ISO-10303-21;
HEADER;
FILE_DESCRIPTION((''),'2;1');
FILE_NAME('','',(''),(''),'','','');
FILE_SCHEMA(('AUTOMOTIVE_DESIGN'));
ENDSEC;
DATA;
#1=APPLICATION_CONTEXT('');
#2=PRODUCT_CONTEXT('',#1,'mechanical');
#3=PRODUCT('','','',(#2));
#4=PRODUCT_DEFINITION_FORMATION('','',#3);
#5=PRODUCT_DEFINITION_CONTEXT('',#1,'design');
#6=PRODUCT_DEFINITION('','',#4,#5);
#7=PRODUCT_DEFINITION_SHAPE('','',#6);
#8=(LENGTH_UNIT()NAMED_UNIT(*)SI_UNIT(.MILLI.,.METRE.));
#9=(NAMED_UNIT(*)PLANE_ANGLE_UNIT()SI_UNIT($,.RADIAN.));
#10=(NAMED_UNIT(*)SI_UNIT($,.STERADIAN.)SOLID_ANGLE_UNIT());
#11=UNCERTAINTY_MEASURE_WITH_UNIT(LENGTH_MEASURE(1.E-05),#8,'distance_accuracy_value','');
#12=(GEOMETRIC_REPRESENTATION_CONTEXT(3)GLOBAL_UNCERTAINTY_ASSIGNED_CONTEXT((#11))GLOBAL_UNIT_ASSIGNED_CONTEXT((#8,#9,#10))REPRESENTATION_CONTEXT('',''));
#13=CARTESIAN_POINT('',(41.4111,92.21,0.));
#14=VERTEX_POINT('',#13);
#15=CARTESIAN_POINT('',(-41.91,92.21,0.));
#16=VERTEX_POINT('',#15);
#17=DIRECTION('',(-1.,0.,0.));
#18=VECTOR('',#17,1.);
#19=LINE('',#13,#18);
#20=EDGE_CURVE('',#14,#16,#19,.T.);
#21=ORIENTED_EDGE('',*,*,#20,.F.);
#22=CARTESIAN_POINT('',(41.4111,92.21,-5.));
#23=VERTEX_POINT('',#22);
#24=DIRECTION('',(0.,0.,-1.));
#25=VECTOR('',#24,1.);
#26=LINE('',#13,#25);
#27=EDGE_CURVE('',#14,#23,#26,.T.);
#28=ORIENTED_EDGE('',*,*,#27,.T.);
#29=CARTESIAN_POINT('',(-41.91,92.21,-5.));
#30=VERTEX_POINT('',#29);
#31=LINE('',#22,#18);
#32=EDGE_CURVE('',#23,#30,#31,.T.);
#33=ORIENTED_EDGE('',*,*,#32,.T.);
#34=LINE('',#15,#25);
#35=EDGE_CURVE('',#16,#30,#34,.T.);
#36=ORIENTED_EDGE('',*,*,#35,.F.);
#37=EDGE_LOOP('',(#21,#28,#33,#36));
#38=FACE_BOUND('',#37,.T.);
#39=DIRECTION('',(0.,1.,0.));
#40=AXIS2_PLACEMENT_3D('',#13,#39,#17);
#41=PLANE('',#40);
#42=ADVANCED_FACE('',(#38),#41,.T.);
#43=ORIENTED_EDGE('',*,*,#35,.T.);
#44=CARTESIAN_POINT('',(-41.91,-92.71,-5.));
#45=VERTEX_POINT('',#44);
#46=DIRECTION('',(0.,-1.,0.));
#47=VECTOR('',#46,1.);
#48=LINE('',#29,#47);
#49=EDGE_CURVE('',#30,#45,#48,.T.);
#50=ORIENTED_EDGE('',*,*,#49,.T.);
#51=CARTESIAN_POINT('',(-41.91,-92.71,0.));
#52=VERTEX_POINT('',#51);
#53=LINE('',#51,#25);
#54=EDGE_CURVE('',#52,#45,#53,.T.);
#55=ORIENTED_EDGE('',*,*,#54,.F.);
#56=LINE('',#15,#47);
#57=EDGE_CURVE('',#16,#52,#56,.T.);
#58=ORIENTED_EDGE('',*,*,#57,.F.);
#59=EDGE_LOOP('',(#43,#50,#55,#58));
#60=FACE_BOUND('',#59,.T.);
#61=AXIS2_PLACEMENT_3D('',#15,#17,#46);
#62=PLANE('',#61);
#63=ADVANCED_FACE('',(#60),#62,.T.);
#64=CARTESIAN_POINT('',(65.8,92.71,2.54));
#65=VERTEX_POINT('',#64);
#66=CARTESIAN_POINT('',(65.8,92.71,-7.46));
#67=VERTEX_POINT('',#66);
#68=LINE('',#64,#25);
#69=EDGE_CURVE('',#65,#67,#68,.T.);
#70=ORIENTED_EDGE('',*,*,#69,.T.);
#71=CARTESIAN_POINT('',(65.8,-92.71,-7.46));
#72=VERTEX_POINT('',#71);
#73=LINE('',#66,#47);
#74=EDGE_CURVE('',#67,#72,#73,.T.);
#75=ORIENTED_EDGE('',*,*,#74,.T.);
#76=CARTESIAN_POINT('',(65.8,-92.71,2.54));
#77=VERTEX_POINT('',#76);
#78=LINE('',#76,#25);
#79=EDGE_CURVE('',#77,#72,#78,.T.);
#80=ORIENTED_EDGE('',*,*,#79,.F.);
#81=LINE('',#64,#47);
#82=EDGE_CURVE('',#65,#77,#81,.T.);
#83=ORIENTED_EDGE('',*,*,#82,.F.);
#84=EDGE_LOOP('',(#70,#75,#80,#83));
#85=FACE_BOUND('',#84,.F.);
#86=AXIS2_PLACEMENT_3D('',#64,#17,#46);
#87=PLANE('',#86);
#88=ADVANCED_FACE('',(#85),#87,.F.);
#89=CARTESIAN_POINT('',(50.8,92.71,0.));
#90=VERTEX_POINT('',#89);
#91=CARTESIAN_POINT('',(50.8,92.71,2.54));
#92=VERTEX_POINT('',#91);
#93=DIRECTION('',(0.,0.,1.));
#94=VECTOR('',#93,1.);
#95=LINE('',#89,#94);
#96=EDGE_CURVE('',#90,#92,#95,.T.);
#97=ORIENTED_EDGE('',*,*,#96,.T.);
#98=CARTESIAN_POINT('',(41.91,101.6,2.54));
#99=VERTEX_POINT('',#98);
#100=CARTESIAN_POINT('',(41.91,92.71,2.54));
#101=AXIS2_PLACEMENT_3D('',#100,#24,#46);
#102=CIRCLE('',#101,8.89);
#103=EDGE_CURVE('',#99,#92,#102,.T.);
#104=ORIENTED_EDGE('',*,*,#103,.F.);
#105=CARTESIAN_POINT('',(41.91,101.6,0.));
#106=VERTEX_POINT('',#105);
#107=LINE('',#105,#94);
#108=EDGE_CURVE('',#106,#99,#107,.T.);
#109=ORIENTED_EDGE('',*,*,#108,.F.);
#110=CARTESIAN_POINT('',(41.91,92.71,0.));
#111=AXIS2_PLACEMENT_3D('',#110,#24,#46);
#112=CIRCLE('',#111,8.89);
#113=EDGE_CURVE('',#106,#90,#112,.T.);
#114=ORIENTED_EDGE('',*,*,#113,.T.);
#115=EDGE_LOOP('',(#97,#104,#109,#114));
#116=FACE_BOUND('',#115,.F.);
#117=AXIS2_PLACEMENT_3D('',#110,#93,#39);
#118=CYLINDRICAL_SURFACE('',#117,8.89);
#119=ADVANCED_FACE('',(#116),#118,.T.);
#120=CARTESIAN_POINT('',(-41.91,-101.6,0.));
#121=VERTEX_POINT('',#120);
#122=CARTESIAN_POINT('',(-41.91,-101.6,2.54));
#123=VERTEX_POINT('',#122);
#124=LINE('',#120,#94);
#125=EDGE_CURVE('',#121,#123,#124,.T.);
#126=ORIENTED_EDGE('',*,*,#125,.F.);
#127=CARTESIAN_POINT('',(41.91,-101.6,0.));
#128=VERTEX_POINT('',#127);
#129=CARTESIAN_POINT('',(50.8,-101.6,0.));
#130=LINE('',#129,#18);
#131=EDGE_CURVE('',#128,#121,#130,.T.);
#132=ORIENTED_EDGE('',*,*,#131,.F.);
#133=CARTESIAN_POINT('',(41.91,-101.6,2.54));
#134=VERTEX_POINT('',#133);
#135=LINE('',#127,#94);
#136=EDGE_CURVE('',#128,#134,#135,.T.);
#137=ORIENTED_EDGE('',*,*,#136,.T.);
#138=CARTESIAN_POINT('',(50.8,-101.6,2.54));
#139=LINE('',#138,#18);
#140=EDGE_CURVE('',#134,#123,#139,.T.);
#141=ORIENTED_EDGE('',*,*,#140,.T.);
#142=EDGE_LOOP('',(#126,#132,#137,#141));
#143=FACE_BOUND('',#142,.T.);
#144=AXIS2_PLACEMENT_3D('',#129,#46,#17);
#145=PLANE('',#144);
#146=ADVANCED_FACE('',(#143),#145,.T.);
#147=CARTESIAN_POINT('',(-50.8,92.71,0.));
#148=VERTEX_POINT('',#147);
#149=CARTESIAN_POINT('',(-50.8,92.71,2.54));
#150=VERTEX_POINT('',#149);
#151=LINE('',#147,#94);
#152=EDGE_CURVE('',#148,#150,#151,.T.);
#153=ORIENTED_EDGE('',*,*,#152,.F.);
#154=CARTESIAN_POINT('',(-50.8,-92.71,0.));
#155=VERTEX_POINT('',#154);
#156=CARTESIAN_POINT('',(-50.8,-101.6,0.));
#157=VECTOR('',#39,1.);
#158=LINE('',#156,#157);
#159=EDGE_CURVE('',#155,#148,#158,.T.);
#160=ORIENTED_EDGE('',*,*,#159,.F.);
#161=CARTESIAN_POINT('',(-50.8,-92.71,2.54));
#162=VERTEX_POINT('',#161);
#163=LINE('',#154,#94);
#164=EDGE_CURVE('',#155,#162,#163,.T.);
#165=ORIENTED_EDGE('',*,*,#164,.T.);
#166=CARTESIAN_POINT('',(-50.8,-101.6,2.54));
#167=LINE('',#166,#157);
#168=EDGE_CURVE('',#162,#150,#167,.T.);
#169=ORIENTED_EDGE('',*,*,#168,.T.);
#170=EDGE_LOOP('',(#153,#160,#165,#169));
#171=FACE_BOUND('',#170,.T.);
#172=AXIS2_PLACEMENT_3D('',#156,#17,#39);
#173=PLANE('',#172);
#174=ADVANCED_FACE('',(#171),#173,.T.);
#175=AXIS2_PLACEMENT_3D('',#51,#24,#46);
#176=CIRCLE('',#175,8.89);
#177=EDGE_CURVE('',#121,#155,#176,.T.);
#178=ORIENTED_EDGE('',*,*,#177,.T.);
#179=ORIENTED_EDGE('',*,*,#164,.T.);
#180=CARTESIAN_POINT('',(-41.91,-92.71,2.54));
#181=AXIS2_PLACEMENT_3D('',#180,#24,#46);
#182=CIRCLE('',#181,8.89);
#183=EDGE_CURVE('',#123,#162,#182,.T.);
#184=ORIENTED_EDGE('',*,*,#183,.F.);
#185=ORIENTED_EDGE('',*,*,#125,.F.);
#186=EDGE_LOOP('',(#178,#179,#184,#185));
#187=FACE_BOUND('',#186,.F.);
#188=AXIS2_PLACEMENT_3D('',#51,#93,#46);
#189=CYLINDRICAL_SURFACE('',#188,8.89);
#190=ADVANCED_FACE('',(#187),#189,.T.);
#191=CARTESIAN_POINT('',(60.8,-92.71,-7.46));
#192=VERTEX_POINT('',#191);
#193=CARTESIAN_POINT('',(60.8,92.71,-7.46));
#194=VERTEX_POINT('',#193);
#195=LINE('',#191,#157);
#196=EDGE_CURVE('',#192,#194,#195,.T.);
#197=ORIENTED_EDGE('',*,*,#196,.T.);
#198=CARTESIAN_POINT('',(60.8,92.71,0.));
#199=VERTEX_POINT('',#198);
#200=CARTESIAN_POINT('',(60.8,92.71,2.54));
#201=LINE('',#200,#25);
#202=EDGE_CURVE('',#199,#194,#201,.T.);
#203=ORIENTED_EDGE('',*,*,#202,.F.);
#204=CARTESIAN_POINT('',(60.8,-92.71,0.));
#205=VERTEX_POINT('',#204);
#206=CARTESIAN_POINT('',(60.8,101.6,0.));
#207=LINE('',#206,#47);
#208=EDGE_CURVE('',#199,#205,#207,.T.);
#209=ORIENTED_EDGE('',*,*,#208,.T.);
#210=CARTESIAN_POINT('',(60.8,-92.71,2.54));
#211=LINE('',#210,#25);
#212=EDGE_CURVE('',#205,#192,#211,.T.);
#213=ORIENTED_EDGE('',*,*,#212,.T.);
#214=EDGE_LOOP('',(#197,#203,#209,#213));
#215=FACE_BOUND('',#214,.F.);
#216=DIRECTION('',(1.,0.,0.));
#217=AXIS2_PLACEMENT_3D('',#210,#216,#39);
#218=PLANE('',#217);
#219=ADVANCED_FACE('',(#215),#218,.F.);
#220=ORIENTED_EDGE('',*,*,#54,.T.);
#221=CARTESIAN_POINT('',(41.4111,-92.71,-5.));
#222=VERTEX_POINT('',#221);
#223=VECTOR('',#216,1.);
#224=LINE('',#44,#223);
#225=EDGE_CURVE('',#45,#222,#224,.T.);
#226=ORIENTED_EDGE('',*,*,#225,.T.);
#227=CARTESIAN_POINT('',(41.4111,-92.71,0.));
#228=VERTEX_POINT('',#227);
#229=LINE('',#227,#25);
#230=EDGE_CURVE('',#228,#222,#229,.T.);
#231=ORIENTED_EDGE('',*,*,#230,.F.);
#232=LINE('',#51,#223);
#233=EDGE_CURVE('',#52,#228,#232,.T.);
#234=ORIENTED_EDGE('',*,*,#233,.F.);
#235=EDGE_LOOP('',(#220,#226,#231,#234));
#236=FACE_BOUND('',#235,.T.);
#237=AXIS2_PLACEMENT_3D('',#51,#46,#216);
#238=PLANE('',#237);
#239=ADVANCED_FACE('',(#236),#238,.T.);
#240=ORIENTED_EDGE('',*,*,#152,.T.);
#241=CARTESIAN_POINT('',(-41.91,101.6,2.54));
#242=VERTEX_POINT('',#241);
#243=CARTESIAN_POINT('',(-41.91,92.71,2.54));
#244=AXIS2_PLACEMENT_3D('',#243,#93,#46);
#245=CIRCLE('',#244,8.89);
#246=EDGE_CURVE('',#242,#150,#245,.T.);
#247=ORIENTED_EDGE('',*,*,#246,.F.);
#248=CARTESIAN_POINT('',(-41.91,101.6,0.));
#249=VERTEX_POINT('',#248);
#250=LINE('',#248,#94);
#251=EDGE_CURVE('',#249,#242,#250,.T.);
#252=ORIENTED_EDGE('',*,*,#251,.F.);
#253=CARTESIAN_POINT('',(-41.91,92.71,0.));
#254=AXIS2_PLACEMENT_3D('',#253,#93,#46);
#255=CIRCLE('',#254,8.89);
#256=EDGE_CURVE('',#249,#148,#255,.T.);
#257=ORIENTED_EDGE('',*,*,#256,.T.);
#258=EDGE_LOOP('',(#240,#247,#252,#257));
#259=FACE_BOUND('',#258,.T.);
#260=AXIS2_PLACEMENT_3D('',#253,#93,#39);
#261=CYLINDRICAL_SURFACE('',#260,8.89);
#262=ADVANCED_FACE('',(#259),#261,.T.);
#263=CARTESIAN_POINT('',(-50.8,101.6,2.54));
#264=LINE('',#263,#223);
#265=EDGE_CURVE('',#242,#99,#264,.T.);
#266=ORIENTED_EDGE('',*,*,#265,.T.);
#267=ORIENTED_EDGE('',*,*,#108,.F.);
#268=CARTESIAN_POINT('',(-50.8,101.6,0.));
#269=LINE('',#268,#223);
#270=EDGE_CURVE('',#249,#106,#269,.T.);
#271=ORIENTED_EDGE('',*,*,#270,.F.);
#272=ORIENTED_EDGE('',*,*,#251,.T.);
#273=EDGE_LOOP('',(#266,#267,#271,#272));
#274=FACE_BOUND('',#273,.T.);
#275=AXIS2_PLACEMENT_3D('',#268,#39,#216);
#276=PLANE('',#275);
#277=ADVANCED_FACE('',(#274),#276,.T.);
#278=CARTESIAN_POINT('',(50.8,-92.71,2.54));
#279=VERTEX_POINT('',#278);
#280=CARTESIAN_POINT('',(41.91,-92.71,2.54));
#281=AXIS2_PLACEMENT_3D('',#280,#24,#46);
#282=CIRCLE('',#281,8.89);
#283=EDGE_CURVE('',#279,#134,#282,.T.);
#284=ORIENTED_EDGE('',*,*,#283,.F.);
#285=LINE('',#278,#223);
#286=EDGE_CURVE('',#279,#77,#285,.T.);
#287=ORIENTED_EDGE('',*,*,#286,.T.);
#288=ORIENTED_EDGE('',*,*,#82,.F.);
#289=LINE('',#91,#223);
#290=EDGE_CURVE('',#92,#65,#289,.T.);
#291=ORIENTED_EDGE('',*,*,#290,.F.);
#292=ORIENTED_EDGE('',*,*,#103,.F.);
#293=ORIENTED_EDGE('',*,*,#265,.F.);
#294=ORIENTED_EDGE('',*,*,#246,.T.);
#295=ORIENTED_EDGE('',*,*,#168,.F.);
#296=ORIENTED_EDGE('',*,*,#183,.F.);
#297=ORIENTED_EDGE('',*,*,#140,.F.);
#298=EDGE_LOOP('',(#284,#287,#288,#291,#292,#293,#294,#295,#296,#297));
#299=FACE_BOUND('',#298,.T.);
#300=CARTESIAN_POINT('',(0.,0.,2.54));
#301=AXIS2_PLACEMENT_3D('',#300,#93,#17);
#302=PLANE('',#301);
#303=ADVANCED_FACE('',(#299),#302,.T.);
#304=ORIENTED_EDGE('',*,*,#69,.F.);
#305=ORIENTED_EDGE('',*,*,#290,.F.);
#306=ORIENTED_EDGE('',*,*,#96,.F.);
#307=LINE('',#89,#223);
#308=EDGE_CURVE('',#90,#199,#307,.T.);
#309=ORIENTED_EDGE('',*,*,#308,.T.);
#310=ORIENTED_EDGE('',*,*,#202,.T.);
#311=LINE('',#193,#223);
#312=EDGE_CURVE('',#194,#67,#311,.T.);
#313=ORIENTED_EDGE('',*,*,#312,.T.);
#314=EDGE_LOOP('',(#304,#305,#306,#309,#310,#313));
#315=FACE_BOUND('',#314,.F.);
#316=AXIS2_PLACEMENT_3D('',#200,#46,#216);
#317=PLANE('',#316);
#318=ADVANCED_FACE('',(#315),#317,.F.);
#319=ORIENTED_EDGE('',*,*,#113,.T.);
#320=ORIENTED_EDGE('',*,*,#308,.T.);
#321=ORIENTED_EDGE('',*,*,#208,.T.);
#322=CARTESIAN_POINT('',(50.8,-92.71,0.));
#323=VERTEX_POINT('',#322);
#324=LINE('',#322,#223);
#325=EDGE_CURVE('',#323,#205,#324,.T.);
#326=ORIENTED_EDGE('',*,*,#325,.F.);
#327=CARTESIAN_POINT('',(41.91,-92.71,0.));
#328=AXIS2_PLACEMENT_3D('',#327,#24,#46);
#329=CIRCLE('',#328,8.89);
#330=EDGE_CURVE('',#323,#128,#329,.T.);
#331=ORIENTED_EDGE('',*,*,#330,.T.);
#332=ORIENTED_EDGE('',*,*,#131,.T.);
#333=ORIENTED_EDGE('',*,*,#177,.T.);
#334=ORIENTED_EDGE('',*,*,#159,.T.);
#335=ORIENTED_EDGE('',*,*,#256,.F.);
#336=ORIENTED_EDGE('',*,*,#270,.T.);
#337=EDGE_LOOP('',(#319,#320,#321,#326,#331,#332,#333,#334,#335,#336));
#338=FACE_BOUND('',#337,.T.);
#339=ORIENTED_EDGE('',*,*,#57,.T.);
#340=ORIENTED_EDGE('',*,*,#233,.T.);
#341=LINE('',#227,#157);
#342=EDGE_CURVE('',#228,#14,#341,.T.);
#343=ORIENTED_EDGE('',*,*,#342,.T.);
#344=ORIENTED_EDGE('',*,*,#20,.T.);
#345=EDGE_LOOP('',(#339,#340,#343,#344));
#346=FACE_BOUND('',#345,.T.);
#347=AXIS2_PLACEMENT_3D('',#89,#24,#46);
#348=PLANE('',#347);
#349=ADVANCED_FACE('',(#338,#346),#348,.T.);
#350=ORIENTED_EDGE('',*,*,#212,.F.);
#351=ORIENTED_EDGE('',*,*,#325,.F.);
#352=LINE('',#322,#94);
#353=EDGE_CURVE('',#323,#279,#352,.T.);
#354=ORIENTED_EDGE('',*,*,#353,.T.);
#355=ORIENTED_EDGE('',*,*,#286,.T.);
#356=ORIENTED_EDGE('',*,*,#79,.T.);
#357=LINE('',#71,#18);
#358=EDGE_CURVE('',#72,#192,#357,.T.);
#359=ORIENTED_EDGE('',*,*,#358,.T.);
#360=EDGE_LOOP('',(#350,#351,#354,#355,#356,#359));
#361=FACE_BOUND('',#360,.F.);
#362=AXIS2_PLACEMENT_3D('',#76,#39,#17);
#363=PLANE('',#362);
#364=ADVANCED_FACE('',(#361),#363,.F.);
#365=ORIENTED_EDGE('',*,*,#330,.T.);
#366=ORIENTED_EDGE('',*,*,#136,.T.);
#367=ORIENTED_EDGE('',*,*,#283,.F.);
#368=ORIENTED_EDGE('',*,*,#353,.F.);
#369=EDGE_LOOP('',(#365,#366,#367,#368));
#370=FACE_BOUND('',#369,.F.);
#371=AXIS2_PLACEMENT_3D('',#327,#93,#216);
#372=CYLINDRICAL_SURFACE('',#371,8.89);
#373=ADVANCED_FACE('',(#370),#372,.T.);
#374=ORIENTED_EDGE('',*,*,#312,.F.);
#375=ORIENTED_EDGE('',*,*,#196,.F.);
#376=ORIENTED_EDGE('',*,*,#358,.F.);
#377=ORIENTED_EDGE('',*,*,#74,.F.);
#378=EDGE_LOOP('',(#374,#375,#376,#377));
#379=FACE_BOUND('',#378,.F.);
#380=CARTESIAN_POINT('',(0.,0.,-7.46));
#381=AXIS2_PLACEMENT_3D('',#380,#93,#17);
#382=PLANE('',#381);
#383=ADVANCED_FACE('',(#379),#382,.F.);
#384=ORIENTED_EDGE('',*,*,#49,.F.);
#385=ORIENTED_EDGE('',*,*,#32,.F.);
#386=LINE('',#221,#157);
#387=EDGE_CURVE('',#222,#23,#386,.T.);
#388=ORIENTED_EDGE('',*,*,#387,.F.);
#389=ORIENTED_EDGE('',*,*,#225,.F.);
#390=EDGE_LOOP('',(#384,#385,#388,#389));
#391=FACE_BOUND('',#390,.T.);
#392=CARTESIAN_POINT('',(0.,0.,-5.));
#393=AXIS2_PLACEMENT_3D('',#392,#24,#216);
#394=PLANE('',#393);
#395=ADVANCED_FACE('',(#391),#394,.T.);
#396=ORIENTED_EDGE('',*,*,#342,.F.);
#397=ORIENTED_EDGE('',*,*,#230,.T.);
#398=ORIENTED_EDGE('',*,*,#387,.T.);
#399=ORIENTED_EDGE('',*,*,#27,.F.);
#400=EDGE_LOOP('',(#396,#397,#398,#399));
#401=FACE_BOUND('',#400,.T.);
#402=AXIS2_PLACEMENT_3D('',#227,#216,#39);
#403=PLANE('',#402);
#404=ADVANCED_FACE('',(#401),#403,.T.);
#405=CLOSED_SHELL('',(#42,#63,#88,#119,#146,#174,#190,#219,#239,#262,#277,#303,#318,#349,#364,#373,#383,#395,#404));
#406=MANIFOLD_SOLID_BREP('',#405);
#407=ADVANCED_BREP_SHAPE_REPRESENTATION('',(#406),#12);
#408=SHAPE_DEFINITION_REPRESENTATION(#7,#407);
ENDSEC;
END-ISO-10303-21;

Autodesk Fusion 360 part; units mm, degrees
sketch "Sketch1" plane through (0, 0, 0) normal (0, 0, 1) x (1, 0, 0)
  line L0 (-50.8, 101.6) -> (50.8, 101.6)
  line L1 (50.8, 101.6) -> (50.8, -101.6)
  line L2 (50.8, -101.6) -> (-50.8, -101.6)
  line L3 (-50.8, -101.6) -> (-50.8, 101.6)
  line L4 (-50.8, 101.6) -> (50.8, -101.6) construction
  line L5 (50.8, 101.6) -> (-50.8, -101.6) construction
  dimension "d1" = 101.6
  dimension "d2" = 203.2
extrude "Extrude1" add sketch "Sketch1" along normal blind 2.54
fillet "Fillet1" radius 8.89 4 edges at (-50.8, -101.6, 1.27) (50.8, -101.6, 1.27) (50.8, 101.6, 1.27) (-50.8, 101.6, 1.27)
extrude "Extrude4" add 1 faces at (50.8, 30.9033, 0.8467) along direction (1, 0, 0) blind 10
sketch "Sketch3" plane through (0, 0, 2.54) normal (0, 0, 1) x (-1, 0, 0)
  arc A0 (41.91, -101.6) -> (50.8, -92.71) centre (41.91, -92.71) ccw
  line L0 (50.8, -92.71) -> (50.8, 92.71)
  arc A1 (50.8, 92.71) -> (41.91, 101.6) centre (41.91, 92.71) ccw
  line L1 (41.91, 101.6) -> (-41.91, 101.6)
  arc A2 (-41.91, 101.6) -> (-50.8, 92.71) centre (-41.91, 92.71) ccw
  line L2 (-50.8, 92.71) -> (-60.8, 92.71)
  line L3 (-60.8, 92.71) -> (-60.8, -92.71)
  line L4 (-60.8, -92.71) -> (-50.8, -92.71)
  arc A3 (-50.8, -92.71) -> (-41.91, -101.6) centre (-41.91, -92.71) ccw
  line L5 (-41.91, -101.6) -> (41.91, -101.6)
  line L6 (-60.8, -92.71) -> (-65.8, -92.71)
  line L7 (-65.8, -92.71) -> (-65.8, 92.71)
  line L8 (-65.8, 92.71) -> (-60.8, 92.71)
  line L9 (-60.8, 92.71) -> (-60.8, -92.71)
  dimension "d28" = 5
extrude "Extrude5" add sketch "Sketch3" against normal blind 10 contours L3 L6 L7 L8 L9
sketch "Sketch4" plane through (0, 0, 0) normal (0, 0, -1) x (1, 0, 0)
  arc A0 (-50.8, -92.71) -> (-41.91, -101.6) centre (-41.91, -92.71) ccw
  line L0 (-41.91, -101.6) -> (41.91, -101.6)
  arc A1 (41.91, -101.6) -> (50.8, -92.71) centre (41.91, -92.71) ccw
  line L1 (50.8, -92.71) -> (60.8, -92.71)
  line L2 (60.8, -92.71) -> (60.8, 92.71)
  line L3 (60.8, 92.71) -> (50.8, 92.71)
  arc A2 (50.8, 92.71) -> (41.91, 101.6) centre (41.91, 92.71) ccw
  line L4 (41.91, 101.6) -> (-41.91, 101.6)
  arc A3 (-41.91, 101.6) -> (-50.8, 92.71) centre (-41.91, 92.71) ccw
  line L5 (-50.8, 92.71) -> (-50.8, -92.71)
  line L6 (50.8, -92.71) -> (50.8, 92.71) construction
  line L7 (-41.91, 92.71) -> (41.4111, 92.71)
  line L8 (41.4111, 92.71) -> (41.4111, -92.21)
  line L9 (41.4111, -92.21) -> (-41.91, -92.21)
  line L10 (-41.91, -92.21) -> (-41.91, 92.71)
  line L11 (-41.91, 92.71) -> (41.4111, -92.21) construction
  line L12 (41.4111, 92.71) -> (-41.91, -92.21) construction
  point P0 (-0.2495, 0.25)
  dimension "d32" = 184.92
  dimension "d36" = 83.3211
extrude "Extrude6" add sketch "Sketch4" along normal blind 5 contours L7 L8 L9 L10
equation "d32 = 185.42 mm - 0.5 mm"
equation "d36 = 83.82109398 mm - 0.5 mm"
